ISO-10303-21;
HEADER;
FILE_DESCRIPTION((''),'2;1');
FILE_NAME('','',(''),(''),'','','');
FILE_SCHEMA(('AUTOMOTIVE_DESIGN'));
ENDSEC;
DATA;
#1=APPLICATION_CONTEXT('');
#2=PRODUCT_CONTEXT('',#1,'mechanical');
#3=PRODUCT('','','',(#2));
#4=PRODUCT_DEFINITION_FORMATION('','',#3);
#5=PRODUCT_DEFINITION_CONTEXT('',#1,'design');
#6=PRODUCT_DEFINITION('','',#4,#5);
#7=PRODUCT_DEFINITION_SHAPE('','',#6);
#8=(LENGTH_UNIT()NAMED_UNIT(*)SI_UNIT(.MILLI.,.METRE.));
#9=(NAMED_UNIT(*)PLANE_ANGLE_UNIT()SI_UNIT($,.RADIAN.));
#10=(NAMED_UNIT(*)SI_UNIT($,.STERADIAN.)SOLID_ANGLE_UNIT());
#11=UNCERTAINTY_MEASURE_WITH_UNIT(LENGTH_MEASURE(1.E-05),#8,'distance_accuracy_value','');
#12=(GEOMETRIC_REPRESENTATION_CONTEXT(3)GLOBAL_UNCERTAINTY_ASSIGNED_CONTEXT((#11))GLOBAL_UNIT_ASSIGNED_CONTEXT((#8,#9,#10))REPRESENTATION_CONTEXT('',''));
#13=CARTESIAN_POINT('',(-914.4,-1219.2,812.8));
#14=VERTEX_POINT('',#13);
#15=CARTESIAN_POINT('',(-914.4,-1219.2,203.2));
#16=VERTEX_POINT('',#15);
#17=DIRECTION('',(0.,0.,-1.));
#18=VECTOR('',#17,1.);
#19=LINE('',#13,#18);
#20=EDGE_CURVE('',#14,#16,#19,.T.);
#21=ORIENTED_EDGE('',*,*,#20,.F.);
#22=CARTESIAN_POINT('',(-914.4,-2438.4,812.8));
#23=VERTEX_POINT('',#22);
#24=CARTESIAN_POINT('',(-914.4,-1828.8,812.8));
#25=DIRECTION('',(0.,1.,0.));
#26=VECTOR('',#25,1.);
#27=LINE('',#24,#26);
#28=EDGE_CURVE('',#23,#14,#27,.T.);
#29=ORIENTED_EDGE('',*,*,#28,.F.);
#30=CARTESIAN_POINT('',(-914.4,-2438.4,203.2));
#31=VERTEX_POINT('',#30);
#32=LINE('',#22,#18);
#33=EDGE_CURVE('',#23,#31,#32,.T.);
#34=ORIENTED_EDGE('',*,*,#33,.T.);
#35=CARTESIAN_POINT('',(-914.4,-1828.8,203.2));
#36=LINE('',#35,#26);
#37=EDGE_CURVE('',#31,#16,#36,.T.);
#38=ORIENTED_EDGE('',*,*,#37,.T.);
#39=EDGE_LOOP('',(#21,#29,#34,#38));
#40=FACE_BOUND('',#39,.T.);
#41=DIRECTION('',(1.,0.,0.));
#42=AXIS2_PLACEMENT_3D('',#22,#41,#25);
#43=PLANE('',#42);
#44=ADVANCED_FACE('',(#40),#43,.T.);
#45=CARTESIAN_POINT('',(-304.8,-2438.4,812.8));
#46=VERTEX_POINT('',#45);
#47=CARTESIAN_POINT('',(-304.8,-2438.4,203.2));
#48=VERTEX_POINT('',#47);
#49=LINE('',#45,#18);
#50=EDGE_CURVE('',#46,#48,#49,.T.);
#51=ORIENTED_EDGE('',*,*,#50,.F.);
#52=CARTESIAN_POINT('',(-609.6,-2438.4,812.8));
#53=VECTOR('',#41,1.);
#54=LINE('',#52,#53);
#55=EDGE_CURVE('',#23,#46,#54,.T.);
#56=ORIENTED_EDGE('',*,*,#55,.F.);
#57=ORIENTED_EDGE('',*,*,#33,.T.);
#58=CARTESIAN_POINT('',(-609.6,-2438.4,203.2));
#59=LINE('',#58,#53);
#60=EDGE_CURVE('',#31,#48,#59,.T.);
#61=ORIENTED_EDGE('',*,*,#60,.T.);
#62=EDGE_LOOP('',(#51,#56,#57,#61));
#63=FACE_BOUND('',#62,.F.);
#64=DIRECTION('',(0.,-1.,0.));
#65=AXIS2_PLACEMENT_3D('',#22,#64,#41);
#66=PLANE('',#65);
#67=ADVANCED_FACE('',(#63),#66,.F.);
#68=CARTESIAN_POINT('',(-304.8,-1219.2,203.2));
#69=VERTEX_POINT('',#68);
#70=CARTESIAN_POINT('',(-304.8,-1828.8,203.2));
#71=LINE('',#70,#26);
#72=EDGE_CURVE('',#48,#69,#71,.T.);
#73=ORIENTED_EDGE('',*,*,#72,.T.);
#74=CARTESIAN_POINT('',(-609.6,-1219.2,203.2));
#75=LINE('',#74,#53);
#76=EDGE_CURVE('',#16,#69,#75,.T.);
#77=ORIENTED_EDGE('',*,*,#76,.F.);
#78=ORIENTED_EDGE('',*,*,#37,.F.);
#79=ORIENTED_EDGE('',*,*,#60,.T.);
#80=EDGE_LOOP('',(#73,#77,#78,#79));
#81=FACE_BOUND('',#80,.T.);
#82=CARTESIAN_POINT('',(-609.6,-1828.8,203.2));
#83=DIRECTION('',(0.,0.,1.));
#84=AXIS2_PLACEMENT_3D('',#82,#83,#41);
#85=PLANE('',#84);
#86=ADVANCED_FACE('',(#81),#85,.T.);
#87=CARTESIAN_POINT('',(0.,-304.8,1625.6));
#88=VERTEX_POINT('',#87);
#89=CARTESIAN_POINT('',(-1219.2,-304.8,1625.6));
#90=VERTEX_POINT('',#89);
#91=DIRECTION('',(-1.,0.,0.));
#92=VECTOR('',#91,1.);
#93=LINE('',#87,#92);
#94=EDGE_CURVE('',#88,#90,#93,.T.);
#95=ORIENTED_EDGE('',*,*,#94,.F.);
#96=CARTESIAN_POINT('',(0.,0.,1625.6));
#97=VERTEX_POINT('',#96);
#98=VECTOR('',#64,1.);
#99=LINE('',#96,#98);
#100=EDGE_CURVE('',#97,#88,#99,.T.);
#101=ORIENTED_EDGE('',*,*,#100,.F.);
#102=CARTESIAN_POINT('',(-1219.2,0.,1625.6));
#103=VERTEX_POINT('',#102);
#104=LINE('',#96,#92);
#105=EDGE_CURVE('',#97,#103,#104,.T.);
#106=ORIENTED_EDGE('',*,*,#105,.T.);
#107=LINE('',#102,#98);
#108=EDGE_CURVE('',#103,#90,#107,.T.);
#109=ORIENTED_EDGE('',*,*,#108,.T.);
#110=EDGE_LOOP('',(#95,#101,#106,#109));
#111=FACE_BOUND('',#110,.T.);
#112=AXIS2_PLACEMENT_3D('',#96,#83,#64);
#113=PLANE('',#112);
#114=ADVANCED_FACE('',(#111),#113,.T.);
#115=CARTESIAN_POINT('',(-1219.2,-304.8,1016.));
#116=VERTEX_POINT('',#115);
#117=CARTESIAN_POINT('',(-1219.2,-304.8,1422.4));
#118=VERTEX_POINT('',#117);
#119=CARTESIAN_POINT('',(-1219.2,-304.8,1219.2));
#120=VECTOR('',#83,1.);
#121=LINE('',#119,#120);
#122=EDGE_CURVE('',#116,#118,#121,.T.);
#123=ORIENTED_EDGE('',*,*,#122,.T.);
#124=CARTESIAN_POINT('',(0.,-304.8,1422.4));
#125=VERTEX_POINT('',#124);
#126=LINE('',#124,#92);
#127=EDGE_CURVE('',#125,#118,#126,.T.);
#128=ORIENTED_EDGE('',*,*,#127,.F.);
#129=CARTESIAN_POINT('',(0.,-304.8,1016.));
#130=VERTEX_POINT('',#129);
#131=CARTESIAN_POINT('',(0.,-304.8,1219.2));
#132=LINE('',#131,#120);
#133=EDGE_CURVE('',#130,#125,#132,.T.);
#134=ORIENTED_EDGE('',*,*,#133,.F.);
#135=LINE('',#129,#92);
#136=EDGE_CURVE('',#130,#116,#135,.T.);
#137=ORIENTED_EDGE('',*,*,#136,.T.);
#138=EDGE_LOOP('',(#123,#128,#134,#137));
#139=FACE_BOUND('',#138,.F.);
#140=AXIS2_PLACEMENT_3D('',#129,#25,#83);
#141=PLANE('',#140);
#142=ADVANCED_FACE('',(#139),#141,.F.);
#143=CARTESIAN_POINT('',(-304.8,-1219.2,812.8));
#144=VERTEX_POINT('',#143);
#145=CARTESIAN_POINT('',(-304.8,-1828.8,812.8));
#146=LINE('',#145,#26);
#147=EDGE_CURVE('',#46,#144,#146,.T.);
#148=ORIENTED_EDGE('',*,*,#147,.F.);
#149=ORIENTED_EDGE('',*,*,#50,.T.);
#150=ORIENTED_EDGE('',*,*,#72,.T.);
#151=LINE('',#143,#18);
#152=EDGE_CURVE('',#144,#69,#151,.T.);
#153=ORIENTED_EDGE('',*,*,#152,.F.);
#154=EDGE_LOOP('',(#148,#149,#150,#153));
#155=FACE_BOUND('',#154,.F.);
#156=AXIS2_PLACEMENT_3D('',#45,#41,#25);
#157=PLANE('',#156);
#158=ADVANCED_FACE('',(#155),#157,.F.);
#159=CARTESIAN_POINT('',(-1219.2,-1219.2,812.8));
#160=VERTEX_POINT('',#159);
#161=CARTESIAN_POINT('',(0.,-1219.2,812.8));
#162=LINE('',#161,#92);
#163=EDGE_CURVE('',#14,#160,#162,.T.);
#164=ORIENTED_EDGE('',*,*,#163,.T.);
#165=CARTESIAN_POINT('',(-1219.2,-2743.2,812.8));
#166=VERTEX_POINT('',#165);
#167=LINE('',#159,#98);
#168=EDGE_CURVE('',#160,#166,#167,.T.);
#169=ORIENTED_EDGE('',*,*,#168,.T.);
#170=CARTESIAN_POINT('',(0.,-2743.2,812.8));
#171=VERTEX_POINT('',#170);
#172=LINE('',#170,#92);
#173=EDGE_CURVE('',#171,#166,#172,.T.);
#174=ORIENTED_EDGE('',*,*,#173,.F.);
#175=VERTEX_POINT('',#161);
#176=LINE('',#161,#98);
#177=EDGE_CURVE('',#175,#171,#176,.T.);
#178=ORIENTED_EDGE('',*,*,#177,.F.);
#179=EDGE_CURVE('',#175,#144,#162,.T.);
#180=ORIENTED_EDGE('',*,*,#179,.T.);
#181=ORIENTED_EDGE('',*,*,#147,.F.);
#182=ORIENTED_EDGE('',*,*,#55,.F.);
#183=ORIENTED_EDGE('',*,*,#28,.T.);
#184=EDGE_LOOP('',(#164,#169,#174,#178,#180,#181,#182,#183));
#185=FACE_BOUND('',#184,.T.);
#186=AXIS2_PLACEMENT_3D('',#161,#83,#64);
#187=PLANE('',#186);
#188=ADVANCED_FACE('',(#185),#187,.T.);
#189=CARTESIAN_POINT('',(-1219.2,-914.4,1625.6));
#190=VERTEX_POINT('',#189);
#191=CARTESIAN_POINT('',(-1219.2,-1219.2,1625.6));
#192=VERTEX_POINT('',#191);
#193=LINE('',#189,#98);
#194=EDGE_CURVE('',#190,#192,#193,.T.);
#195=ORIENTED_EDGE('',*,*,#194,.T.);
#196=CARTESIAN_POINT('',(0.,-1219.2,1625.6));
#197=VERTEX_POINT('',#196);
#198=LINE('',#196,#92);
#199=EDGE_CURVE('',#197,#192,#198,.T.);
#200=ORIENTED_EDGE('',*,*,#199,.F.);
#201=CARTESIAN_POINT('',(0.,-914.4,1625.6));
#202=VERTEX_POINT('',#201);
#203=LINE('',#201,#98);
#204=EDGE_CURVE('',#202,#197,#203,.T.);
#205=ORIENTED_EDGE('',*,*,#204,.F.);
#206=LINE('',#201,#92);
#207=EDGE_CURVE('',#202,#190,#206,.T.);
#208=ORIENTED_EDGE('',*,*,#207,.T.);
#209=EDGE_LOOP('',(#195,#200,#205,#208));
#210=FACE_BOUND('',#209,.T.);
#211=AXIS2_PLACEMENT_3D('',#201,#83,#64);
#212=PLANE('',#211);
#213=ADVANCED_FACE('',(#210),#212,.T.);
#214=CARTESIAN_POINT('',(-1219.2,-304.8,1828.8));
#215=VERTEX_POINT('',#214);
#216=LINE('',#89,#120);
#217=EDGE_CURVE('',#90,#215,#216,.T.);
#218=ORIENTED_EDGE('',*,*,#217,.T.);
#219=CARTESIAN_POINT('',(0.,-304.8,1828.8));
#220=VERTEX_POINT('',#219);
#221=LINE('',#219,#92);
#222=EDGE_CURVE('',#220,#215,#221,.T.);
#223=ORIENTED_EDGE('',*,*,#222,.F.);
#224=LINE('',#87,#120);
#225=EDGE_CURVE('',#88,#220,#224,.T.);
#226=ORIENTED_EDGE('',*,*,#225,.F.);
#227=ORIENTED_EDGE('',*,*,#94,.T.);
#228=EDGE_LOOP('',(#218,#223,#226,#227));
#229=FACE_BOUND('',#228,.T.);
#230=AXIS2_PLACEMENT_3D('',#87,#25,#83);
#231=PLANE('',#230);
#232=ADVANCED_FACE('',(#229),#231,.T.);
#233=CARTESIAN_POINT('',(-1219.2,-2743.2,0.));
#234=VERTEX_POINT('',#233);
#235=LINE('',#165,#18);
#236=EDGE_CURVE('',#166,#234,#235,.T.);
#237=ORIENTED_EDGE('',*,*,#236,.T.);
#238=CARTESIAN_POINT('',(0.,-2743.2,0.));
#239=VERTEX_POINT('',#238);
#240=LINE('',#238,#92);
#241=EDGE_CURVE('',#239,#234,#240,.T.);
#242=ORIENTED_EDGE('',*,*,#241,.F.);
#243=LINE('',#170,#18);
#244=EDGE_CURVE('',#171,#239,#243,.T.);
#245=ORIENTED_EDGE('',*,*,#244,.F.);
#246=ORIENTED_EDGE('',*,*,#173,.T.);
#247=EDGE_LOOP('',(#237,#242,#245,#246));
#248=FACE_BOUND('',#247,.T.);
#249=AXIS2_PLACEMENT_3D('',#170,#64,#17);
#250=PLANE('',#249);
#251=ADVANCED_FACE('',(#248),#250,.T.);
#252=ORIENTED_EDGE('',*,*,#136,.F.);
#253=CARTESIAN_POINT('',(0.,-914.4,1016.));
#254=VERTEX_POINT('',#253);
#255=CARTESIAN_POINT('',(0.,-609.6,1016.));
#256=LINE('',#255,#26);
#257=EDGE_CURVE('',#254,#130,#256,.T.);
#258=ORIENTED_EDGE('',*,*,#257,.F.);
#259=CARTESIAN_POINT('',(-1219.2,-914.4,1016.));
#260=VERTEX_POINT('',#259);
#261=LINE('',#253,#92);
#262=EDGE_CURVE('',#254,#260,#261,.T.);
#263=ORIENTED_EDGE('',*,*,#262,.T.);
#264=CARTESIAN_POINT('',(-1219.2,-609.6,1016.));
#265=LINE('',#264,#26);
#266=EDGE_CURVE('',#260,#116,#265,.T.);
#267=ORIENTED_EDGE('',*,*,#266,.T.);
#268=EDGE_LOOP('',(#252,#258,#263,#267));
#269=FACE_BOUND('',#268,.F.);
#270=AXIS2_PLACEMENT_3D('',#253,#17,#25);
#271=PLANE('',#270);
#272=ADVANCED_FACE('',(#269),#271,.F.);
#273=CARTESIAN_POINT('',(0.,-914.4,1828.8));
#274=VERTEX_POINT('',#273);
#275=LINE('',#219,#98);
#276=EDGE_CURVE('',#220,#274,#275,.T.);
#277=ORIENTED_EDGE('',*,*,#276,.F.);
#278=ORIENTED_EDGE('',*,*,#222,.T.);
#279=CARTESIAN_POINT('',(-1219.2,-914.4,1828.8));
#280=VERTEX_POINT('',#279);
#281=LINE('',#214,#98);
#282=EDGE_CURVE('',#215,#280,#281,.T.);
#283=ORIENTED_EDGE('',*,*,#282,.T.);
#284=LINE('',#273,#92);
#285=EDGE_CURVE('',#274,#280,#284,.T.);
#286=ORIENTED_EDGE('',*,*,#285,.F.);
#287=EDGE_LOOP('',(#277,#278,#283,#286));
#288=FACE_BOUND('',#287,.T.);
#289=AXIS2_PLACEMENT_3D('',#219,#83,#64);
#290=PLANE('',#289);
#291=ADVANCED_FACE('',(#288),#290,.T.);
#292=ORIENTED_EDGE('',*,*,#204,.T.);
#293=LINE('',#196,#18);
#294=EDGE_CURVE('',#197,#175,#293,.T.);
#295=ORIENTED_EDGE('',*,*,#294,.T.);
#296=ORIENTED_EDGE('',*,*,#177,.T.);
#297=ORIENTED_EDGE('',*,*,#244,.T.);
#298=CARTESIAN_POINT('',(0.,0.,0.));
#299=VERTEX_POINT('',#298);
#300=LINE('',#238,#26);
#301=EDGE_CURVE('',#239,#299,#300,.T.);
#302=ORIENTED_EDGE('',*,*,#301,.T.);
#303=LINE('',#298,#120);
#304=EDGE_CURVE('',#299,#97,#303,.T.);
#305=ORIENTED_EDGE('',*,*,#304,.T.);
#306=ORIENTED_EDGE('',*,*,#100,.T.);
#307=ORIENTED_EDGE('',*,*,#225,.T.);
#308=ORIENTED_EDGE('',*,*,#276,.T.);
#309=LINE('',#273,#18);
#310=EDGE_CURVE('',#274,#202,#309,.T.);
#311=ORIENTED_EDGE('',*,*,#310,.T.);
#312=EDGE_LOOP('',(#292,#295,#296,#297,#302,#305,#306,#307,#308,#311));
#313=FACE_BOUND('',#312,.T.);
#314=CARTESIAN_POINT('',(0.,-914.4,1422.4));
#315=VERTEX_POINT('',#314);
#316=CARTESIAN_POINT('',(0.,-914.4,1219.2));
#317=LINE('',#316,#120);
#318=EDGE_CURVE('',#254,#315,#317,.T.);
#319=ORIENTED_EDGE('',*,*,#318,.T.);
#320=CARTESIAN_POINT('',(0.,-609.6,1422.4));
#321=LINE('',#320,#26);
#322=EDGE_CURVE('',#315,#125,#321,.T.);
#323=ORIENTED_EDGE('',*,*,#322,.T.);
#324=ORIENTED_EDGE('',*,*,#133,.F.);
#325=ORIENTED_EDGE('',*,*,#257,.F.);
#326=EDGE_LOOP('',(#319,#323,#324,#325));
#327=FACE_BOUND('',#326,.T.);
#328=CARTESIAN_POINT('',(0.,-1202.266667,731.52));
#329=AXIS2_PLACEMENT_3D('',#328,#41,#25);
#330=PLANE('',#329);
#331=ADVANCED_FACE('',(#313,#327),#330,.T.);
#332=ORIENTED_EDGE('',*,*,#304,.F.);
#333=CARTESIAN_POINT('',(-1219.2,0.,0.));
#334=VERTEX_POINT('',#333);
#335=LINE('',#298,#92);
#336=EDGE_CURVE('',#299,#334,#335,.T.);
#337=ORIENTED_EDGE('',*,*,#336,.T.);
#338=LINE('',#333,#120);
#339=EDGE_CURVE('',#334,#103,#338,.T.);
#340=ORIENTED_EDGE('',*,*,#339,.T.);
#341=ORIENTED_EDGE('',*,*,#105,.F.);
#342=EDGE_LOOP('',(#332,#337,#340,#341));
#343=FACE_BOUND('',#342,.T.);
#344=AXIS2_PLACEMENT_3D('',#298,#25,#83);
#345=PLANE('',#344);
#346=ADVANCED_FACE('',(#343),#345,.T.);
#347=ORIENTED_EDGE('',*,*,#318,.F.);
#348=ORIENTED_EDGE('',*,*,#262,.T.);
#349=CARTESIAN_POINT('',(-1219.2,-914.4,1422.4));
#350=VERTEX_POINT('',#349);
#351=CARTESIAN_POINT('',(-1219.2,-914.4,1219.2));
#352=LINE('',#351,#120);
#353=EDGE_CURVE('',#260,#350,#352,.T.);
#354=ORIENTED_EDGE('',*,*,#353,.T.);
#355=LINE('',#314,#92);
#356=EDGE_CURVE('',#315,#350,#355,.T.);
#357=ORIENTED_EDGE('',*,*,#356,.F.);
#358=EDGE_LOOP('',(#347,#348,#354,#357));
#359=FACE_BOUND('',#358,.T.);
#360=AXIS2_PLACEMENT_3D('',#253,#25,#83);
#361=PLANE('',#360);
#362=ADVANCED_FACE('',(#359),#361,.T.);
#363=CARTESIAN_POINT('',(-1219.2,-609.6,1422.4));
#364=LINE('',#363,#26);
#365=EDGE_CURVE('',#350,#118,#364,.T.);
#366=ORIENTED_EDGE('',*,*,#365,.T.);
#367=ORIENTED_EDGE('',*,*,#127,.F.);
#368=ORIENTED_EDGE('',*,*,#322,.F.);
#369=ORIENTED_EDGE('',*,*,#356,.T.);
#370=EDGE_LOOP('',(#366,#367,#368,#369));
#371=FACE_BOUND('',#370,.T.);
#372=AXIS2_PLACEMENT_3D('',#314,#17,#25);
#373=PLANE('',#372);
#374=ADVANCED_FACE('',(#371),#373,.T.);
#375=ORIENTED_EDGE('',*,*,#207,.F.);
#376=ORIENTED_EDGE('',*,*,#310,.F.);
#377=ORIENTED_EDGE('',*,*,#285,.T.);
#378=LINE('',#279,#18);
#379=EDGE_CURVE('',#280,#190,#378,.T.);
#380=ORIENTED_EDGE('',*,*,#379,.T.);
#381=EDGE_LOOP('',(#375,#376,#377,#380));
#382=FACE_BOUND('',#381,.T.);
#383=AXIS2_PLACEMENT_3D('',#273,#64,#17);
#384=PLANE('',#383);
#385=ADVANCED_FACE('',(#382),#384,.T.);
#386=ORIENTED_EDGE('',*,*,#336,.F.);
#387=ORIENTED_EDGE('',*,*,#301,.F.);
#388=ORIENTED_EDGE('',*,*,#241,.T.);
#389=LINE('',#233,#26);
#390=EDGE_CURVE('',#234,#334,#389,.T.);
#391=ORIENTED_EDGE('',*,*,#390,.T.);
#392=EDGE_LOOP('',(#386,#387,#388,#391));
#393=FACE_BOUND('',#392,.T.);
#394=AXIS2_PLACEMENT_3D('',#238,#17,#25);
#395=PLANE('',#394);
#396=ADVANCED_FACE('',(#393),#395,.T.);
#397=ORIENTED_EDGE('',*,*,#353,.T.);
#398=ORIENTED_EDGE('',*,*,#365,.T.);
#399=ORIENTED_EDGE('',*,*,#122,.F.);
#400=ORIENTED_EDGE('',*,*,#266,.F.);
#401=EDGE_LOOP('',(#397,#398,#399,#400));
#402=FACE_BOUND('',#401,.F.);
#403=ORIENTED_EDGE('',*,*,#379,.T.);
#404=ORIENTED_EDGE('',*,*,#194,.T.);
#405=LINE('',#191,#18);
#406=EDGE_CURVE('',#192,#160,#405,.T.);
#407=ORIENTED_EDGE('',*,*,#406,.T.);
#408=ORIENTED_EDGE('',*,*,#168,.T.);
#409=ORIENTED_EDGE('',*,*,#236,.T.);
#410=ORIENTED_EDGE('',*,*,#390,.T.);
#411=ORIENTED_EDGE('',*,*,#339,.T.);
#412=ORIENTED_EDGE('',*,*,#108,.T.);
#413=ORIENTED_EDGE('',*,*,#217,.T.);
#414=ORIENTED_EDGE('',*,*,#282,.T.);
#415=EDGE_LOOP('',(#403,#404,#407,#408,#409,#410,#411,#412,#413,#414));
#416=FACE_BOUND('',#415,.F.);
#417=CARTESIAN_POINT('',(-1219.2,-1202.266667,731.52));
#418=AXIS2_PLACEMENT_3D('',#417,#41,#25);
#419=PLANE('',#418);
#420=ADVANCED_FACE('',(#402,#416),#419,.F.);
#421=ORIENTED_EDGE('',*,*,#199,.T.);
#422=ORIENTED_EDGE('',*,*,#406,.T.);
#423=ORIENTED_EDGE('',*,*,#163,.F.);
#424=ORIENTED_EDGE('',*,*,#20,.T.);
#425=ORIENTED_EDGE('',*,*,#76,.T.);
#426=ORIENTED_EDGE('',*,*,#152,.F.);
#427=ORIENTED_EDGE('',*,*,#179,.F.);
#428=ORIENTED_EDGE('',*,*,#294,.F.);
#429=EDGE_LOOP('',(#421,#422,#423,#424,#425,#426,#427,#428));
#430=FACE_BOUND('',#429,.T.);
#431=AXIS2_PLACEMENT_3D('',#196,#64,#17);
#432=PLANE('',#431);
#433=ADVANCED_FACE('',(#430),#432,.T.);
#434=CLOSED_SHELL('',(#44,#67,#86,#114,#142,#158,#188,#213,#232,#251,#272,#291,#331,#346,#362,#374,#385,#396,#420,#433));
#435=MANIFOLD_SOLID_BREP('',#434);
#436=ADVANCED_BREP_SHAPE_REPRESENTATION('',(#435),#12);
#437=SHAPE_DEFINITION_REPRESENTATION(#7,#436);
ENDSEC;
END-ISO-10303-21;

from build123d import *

# Parameters (mm, degrees)
F0_W     = 609.6
F0_H     = 406.4
F1_DEPTH = 1219.2
F2_W     = 609.6
F2_H     = 1219.2
F3_DEPTH = 609.6


with BuildPart() as f1:
    # F0 (on Right) → F1 (new body)
    with BuildSketch(Plane.YZ):
        Polygon((-2743.2, 0), (0, 0), (0, 1625.6), (-304.8, 1625.6), (-304.8, 1828.8), (-914.4, 1828.8), (-914.4, 1625.6), (-1219.2, 1625.6), (-1219.2, 812.8), (-2743.2, 812.8), align=None)
        with Locations((-609.6, 1219.2)):
            Rectangle(F0_W, F0_H, mode=Mode.SUBTRACT)
    extrude(amount=-F1_DEPTH)

    # F2 (on face) → F3 (cut)
    with BuildSketch(Plane.XY.offset(812.8)):
        with Locations((-609.6, -1828.8)):
            Rectangle(F2_W, F2_H)
    extrude(amount=-F3_DEPTH, mode=Mode.SUBTRACT)


solid = f1.part
